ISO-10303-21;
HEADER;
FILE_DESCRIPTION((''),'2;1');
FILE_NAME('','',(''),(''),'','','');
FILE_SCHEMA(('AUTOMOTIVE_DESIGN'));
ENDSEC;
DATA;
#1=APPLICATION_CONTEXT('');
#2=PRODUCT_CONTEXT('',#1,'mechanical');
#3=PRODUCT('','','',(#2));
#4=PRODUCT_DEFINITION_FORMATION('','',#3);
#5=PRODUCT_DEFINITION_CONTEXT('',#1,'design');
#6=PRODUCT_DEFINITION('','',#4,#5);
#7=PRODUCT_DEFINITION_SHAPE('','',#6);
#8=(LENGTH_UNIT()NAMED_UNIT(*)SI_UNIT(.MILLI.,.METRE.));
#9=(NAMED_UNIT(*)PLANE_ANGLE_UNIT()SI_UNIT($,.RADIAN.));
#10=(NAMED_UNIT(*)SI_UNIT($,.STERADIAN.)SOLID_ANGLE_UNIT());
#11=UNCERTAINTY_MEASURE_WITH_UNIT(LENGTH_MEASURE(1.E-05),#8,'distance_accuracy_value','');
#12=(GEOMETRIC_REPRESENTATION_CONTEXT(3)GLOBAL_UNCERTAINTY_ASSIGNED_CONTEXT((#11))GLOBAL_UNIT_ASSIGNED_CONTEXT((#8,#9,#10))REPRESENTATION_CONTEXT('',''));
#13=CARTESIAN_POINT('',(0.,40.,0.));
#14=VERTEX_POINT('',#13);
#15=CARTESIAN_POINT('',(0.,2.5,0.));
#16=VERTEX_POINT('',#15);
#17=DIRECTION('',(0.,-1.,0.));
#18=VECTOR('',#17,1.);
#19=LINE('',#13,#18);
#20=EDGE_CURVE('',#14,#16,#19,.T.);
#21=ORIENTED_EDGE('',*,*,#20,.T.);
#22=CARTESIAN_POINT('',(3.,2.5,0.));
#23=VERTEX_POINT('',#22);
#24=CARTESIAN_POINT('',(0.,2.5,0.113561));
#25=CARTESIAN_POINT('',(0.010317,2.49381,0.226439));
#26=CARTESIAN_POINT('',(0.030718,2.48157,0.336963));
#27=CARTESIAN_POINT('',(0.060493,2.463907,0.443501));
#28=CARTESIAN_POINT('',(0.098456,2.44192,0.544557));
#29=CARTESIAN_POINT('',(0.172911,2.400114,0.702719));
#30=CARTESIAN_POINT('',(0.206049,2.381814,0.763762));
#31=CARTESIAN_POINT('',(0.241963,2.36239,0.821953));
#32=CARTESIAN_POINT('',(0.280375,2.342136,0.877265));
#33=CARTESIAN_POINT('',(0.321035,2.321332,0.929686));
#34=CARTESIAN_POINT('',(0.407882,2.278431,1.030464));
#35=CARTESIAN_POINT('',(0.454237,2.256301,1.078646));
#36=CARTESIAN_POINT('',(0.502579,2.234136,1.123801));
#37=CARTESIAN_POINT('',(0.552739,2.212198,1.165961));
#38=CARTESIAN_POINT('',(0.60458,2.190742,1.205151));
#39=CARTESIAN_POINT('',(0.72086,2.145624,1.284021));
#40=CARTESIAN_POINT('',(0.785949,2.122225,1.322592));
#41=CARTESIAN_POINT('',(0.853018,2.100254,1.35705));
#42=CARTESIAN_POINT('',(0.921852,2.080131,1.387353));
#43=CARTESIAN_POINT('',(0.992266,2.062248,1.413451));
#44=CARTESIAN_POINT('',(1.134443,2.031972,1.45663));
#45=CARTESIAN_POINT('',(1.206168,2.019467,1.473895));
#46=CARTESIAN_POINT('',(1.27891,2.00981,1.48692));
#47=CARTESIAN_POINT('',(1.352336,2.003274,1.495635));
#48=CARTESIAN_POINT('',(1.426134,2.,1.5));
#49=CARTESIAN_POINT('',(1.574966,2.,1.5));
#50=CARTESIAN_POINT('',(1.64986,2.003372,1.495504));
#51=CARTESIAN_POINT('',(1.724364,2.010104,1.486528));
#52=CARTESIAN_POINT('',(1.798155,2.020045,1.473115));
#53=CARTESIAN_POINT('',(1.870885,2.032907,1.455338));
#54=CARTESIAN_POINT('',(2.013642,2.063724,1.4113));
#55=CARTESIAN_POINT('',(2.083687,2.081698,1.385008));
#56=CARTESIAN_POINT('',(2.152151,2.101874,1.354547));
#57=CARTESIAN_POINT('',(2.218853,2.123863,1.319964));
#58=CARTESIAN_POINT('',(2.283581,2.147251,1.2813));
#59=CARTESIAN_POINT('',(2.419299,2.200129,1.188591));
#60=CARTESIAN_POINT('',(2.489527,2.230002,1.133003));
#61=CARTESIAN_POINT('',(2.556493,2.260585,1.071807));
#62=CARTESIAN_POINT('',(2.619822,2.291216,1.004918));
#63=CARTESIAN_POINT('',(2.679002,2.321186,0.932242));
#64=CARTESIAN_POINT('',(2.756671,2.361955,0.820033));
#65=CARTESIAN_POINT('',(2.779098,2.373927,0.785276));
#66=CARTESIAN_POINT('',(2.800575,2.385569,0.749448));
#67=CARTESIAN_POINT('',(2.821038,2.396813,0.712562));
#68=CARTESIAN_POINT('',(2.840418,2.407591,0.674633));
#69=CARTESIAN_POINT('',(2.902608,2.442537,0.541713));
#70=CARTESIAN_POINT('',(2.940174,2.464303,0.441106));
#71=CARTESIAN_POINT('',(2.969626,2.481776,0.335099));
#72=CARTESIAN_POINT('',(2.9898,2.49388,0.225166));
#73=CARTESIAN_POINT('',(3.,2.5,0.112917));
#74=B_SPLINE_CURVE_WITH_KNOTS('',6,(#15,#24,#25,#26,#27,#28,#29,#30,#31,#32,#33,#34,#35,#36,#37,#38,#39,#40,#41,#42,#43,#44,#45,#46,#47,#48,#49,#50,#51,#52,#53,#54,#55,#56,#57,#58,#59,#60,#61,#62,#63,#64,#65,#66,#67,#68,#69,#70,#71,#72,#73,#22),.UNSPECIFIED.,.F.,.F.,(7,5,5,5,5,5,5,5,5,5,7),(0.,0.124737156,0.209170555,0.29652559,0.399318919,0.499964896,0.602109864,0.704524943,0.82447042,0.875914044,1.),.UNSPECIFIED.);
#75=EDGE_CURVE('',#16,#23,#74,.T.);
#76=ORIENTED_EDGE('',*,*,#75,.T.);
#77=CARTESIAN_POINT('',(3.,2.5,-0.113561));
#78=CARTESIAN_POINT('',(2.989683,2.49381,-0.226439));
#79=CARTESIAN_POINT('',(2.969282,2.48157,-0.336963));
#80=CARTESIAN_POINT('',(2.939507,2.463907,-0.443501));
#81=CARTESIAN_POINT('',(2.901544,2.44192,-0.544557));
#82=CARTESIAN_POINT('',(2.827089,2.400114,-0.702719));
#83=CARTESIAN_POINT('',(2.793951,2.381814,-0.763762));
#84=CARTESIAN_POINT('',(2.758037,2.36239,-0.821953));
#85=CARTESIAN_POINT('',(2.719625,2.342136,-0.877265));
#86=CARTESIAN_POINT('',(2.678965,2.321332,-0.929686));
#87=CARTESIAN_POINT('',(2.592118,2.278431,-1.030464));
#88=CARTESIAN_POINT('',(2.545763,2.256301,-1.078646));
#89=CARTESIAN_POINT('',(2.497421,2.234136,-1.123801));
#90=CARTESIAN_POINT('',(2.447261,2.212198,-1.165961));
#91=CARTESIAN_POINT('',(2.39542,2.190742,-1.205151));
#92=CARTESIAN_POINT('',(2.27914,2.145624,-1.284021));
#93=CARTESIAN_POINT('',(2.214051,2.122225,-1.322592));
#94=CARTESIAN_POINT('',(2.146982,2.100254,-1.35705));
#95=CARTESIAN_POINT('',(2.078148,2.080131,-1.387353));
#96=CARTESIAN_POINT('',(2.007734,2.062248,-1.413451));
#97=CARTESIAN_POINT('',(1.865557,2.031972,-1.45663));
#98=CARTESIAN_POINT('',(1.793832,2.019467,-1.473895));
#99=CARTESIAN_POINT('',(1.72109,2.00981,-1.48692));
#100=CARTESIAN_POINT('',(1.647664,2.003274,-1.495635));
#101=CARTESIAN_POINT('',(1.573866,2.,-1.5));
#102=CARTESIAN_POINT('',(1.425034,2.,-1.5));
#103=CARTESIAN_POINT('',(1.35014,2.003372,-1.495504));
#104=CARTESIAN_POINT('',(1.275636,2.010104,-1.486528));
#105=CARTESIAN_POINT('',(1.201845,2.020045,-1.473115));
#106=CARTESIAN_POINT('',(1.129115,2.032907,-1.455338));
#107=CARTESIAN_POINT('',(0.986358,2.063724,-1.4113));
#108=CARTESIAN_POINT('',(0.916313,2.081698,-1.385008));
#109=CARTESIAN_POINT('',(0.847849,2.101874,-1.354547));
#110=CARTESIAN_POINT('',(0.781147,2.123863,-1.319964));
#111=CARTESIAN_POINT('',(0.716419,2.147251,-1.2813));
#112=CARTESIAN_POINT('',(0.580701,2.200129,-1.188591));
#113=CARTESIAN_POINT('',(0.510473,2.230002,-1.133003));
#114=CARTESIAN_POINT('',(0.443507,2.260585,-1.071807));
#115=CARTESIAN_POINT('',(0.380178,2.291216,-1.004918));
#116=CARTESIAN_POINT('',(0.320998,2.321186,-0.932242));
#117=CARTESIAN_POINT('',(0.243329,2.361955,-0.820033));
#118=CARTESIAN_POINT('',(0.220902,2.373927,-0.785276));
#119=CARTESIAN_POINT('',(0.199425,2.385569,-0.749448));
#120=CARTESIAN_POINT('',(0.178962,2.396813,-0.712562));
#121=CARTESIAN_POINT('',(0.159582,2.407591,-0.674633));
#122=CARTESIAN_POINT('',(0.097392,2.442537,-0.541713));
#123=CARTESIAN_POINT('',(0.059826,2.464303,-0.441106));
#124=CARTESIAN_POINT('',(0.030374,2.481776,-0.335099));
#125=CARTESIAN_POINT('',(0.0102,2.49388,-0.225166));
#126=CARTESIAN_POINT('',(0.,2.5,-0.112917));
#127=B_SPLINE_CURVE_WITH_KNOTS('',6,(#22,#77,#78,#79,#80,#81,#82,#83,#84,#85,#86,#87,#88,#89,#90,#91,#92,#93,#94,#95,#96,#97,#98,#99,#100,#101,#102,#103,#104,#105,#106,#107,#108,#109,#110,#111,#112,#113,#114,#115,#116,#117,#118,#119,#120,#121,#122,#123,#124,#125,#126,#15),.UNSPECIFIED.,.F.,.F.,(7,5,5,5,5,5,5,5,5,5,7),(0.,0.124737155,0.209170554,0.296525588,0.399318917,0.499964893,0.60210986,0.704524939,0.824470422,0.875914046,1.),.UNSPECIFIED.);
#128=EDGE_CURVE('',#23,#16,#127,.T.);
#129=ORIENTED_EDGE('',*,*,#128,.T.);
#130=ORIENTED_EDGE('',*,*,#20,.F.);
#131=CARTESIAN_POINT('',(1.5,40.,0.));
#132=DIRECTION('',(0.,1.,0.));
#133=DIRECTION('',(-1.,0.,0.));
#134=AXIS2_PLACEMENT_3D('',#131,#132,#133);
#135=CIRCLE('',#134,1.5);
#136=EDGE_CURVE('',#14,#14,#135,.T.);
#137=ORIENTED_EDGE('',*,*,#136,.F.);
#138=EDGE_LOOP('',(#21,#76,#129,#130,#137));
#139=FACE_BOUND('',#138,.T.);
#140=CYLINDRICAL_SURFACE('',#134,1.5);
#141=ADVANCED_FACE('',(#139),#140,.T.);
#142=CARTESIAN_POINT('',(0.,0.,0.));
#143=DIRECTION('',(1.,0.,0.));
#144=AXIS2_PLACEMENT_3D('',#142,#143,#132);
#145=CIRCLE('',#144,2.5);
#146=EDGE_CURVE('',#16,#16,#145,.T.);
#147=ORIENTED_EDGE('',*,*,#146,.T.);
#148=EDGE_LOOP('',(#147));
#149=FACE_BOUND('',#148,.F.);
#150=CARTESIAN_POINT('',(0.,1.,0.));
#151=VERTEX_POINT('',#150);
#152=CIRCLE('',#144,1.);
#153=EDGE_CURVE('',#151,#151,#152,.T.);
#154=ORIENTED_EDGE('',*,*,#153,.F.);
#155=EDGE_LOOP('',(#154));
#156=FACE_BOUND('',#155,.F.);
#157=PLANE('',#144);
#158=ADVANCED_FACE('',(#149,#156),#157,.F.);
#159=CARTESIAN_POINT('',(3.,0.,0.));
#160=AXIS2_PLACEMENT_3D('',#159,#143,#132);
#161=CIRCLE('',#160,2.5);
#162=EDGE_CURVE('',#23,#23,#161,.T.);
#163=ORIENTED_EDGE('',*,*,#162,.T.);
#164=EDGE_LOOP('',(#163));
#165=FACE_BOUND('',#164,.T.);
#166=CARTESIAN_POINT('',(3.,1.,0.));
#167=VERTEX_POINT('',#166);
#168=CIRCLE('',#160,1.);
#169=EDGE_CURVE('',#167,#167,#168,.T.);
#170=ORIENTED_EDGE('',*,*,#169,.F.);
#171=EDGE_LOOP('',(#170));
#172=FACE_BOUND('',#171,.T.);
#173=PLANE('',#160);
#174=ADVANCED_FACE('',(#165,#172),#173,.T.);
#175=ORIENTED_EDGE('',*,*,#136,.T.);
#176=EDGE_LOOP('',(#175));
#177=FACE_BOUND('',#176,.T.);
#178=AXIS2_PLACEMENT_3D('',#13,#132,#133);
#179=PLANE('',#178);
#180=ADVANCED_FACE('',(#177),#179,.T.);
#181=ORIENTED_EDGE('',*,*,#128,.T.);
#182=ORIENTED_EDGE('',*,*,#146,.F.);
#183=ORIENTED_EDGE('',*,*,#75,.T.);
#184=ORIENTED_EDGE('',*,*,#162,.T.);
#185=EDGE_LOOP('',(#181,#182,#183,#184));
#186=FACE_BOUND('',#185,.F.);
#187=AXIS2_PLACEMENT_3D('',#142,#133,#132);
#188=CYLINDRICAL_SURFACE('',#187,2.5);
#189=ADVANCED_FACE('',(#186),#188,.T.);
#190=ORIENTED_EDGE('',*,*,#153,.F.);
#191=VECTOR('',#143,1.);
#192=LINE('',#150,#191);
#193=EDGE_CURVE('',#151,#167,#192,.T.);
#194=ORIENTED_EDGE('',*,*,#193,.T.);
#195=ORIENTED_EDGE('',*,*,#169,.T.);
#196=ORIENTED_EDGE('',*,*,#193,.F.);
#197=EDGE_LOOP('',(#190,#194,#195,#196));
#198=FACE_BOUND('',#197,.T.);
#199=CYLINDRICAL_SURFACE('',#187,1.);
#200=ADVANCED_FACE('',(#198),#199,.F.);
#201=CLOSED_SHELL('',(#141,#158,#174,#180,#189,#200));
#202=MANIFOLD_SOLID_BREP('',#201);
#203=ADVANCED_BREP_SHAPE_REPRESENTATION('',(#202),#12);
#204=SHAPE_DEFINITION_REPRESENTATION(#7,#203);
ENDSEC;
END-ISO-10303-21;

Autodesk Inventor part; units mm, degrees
ref_plane "YZ Plane" through (0, 0, 0) normal (1, 0, 0) x (0, 1, 0)
sketch "Sketch1" plane through (0, 0, 0) normal (1, 0, 0) x (0, 1, 0)
  circle A0 centre (0, 0) radius 1
  circle A1 centre (0, 0) radius 2.5
  dimension "d0" = 2
  dimension "d1" = 5
extrude "Extrusion1" add sketch "Sketch1" along normal blind 3
ref_plane "Work Plane1" through (1.5, 0, 0) normal (1, 0, 0) x (0, 0, -1)
ref_plane "Work Plane2" through (0, 40, 0) normal (0, 1, 0) x (-1, 0, 0)
sketch "Sketch2" plane through (0, 40, 0) normal (0, 1, 0) x (-1, 0, 0)
  line L0 (0, 2.5) -> (0, -2.5) projected
  point P0 (0, 0)
sketch "Sketch3" plane through (0, 40, 0) normal (0, 1, 0) x (-1, 0, 0)
  line L0 (0, 0) -> (-1.5, 0)
  circle A0 centre (-1.5, 0) radius 1.5
  dimension "d5" = 1.5
  dimension "d6" = 3
extrude "Extrusion2" add sketch "Sketch3" against normal up to surface
properties part number "BarX40mm"
